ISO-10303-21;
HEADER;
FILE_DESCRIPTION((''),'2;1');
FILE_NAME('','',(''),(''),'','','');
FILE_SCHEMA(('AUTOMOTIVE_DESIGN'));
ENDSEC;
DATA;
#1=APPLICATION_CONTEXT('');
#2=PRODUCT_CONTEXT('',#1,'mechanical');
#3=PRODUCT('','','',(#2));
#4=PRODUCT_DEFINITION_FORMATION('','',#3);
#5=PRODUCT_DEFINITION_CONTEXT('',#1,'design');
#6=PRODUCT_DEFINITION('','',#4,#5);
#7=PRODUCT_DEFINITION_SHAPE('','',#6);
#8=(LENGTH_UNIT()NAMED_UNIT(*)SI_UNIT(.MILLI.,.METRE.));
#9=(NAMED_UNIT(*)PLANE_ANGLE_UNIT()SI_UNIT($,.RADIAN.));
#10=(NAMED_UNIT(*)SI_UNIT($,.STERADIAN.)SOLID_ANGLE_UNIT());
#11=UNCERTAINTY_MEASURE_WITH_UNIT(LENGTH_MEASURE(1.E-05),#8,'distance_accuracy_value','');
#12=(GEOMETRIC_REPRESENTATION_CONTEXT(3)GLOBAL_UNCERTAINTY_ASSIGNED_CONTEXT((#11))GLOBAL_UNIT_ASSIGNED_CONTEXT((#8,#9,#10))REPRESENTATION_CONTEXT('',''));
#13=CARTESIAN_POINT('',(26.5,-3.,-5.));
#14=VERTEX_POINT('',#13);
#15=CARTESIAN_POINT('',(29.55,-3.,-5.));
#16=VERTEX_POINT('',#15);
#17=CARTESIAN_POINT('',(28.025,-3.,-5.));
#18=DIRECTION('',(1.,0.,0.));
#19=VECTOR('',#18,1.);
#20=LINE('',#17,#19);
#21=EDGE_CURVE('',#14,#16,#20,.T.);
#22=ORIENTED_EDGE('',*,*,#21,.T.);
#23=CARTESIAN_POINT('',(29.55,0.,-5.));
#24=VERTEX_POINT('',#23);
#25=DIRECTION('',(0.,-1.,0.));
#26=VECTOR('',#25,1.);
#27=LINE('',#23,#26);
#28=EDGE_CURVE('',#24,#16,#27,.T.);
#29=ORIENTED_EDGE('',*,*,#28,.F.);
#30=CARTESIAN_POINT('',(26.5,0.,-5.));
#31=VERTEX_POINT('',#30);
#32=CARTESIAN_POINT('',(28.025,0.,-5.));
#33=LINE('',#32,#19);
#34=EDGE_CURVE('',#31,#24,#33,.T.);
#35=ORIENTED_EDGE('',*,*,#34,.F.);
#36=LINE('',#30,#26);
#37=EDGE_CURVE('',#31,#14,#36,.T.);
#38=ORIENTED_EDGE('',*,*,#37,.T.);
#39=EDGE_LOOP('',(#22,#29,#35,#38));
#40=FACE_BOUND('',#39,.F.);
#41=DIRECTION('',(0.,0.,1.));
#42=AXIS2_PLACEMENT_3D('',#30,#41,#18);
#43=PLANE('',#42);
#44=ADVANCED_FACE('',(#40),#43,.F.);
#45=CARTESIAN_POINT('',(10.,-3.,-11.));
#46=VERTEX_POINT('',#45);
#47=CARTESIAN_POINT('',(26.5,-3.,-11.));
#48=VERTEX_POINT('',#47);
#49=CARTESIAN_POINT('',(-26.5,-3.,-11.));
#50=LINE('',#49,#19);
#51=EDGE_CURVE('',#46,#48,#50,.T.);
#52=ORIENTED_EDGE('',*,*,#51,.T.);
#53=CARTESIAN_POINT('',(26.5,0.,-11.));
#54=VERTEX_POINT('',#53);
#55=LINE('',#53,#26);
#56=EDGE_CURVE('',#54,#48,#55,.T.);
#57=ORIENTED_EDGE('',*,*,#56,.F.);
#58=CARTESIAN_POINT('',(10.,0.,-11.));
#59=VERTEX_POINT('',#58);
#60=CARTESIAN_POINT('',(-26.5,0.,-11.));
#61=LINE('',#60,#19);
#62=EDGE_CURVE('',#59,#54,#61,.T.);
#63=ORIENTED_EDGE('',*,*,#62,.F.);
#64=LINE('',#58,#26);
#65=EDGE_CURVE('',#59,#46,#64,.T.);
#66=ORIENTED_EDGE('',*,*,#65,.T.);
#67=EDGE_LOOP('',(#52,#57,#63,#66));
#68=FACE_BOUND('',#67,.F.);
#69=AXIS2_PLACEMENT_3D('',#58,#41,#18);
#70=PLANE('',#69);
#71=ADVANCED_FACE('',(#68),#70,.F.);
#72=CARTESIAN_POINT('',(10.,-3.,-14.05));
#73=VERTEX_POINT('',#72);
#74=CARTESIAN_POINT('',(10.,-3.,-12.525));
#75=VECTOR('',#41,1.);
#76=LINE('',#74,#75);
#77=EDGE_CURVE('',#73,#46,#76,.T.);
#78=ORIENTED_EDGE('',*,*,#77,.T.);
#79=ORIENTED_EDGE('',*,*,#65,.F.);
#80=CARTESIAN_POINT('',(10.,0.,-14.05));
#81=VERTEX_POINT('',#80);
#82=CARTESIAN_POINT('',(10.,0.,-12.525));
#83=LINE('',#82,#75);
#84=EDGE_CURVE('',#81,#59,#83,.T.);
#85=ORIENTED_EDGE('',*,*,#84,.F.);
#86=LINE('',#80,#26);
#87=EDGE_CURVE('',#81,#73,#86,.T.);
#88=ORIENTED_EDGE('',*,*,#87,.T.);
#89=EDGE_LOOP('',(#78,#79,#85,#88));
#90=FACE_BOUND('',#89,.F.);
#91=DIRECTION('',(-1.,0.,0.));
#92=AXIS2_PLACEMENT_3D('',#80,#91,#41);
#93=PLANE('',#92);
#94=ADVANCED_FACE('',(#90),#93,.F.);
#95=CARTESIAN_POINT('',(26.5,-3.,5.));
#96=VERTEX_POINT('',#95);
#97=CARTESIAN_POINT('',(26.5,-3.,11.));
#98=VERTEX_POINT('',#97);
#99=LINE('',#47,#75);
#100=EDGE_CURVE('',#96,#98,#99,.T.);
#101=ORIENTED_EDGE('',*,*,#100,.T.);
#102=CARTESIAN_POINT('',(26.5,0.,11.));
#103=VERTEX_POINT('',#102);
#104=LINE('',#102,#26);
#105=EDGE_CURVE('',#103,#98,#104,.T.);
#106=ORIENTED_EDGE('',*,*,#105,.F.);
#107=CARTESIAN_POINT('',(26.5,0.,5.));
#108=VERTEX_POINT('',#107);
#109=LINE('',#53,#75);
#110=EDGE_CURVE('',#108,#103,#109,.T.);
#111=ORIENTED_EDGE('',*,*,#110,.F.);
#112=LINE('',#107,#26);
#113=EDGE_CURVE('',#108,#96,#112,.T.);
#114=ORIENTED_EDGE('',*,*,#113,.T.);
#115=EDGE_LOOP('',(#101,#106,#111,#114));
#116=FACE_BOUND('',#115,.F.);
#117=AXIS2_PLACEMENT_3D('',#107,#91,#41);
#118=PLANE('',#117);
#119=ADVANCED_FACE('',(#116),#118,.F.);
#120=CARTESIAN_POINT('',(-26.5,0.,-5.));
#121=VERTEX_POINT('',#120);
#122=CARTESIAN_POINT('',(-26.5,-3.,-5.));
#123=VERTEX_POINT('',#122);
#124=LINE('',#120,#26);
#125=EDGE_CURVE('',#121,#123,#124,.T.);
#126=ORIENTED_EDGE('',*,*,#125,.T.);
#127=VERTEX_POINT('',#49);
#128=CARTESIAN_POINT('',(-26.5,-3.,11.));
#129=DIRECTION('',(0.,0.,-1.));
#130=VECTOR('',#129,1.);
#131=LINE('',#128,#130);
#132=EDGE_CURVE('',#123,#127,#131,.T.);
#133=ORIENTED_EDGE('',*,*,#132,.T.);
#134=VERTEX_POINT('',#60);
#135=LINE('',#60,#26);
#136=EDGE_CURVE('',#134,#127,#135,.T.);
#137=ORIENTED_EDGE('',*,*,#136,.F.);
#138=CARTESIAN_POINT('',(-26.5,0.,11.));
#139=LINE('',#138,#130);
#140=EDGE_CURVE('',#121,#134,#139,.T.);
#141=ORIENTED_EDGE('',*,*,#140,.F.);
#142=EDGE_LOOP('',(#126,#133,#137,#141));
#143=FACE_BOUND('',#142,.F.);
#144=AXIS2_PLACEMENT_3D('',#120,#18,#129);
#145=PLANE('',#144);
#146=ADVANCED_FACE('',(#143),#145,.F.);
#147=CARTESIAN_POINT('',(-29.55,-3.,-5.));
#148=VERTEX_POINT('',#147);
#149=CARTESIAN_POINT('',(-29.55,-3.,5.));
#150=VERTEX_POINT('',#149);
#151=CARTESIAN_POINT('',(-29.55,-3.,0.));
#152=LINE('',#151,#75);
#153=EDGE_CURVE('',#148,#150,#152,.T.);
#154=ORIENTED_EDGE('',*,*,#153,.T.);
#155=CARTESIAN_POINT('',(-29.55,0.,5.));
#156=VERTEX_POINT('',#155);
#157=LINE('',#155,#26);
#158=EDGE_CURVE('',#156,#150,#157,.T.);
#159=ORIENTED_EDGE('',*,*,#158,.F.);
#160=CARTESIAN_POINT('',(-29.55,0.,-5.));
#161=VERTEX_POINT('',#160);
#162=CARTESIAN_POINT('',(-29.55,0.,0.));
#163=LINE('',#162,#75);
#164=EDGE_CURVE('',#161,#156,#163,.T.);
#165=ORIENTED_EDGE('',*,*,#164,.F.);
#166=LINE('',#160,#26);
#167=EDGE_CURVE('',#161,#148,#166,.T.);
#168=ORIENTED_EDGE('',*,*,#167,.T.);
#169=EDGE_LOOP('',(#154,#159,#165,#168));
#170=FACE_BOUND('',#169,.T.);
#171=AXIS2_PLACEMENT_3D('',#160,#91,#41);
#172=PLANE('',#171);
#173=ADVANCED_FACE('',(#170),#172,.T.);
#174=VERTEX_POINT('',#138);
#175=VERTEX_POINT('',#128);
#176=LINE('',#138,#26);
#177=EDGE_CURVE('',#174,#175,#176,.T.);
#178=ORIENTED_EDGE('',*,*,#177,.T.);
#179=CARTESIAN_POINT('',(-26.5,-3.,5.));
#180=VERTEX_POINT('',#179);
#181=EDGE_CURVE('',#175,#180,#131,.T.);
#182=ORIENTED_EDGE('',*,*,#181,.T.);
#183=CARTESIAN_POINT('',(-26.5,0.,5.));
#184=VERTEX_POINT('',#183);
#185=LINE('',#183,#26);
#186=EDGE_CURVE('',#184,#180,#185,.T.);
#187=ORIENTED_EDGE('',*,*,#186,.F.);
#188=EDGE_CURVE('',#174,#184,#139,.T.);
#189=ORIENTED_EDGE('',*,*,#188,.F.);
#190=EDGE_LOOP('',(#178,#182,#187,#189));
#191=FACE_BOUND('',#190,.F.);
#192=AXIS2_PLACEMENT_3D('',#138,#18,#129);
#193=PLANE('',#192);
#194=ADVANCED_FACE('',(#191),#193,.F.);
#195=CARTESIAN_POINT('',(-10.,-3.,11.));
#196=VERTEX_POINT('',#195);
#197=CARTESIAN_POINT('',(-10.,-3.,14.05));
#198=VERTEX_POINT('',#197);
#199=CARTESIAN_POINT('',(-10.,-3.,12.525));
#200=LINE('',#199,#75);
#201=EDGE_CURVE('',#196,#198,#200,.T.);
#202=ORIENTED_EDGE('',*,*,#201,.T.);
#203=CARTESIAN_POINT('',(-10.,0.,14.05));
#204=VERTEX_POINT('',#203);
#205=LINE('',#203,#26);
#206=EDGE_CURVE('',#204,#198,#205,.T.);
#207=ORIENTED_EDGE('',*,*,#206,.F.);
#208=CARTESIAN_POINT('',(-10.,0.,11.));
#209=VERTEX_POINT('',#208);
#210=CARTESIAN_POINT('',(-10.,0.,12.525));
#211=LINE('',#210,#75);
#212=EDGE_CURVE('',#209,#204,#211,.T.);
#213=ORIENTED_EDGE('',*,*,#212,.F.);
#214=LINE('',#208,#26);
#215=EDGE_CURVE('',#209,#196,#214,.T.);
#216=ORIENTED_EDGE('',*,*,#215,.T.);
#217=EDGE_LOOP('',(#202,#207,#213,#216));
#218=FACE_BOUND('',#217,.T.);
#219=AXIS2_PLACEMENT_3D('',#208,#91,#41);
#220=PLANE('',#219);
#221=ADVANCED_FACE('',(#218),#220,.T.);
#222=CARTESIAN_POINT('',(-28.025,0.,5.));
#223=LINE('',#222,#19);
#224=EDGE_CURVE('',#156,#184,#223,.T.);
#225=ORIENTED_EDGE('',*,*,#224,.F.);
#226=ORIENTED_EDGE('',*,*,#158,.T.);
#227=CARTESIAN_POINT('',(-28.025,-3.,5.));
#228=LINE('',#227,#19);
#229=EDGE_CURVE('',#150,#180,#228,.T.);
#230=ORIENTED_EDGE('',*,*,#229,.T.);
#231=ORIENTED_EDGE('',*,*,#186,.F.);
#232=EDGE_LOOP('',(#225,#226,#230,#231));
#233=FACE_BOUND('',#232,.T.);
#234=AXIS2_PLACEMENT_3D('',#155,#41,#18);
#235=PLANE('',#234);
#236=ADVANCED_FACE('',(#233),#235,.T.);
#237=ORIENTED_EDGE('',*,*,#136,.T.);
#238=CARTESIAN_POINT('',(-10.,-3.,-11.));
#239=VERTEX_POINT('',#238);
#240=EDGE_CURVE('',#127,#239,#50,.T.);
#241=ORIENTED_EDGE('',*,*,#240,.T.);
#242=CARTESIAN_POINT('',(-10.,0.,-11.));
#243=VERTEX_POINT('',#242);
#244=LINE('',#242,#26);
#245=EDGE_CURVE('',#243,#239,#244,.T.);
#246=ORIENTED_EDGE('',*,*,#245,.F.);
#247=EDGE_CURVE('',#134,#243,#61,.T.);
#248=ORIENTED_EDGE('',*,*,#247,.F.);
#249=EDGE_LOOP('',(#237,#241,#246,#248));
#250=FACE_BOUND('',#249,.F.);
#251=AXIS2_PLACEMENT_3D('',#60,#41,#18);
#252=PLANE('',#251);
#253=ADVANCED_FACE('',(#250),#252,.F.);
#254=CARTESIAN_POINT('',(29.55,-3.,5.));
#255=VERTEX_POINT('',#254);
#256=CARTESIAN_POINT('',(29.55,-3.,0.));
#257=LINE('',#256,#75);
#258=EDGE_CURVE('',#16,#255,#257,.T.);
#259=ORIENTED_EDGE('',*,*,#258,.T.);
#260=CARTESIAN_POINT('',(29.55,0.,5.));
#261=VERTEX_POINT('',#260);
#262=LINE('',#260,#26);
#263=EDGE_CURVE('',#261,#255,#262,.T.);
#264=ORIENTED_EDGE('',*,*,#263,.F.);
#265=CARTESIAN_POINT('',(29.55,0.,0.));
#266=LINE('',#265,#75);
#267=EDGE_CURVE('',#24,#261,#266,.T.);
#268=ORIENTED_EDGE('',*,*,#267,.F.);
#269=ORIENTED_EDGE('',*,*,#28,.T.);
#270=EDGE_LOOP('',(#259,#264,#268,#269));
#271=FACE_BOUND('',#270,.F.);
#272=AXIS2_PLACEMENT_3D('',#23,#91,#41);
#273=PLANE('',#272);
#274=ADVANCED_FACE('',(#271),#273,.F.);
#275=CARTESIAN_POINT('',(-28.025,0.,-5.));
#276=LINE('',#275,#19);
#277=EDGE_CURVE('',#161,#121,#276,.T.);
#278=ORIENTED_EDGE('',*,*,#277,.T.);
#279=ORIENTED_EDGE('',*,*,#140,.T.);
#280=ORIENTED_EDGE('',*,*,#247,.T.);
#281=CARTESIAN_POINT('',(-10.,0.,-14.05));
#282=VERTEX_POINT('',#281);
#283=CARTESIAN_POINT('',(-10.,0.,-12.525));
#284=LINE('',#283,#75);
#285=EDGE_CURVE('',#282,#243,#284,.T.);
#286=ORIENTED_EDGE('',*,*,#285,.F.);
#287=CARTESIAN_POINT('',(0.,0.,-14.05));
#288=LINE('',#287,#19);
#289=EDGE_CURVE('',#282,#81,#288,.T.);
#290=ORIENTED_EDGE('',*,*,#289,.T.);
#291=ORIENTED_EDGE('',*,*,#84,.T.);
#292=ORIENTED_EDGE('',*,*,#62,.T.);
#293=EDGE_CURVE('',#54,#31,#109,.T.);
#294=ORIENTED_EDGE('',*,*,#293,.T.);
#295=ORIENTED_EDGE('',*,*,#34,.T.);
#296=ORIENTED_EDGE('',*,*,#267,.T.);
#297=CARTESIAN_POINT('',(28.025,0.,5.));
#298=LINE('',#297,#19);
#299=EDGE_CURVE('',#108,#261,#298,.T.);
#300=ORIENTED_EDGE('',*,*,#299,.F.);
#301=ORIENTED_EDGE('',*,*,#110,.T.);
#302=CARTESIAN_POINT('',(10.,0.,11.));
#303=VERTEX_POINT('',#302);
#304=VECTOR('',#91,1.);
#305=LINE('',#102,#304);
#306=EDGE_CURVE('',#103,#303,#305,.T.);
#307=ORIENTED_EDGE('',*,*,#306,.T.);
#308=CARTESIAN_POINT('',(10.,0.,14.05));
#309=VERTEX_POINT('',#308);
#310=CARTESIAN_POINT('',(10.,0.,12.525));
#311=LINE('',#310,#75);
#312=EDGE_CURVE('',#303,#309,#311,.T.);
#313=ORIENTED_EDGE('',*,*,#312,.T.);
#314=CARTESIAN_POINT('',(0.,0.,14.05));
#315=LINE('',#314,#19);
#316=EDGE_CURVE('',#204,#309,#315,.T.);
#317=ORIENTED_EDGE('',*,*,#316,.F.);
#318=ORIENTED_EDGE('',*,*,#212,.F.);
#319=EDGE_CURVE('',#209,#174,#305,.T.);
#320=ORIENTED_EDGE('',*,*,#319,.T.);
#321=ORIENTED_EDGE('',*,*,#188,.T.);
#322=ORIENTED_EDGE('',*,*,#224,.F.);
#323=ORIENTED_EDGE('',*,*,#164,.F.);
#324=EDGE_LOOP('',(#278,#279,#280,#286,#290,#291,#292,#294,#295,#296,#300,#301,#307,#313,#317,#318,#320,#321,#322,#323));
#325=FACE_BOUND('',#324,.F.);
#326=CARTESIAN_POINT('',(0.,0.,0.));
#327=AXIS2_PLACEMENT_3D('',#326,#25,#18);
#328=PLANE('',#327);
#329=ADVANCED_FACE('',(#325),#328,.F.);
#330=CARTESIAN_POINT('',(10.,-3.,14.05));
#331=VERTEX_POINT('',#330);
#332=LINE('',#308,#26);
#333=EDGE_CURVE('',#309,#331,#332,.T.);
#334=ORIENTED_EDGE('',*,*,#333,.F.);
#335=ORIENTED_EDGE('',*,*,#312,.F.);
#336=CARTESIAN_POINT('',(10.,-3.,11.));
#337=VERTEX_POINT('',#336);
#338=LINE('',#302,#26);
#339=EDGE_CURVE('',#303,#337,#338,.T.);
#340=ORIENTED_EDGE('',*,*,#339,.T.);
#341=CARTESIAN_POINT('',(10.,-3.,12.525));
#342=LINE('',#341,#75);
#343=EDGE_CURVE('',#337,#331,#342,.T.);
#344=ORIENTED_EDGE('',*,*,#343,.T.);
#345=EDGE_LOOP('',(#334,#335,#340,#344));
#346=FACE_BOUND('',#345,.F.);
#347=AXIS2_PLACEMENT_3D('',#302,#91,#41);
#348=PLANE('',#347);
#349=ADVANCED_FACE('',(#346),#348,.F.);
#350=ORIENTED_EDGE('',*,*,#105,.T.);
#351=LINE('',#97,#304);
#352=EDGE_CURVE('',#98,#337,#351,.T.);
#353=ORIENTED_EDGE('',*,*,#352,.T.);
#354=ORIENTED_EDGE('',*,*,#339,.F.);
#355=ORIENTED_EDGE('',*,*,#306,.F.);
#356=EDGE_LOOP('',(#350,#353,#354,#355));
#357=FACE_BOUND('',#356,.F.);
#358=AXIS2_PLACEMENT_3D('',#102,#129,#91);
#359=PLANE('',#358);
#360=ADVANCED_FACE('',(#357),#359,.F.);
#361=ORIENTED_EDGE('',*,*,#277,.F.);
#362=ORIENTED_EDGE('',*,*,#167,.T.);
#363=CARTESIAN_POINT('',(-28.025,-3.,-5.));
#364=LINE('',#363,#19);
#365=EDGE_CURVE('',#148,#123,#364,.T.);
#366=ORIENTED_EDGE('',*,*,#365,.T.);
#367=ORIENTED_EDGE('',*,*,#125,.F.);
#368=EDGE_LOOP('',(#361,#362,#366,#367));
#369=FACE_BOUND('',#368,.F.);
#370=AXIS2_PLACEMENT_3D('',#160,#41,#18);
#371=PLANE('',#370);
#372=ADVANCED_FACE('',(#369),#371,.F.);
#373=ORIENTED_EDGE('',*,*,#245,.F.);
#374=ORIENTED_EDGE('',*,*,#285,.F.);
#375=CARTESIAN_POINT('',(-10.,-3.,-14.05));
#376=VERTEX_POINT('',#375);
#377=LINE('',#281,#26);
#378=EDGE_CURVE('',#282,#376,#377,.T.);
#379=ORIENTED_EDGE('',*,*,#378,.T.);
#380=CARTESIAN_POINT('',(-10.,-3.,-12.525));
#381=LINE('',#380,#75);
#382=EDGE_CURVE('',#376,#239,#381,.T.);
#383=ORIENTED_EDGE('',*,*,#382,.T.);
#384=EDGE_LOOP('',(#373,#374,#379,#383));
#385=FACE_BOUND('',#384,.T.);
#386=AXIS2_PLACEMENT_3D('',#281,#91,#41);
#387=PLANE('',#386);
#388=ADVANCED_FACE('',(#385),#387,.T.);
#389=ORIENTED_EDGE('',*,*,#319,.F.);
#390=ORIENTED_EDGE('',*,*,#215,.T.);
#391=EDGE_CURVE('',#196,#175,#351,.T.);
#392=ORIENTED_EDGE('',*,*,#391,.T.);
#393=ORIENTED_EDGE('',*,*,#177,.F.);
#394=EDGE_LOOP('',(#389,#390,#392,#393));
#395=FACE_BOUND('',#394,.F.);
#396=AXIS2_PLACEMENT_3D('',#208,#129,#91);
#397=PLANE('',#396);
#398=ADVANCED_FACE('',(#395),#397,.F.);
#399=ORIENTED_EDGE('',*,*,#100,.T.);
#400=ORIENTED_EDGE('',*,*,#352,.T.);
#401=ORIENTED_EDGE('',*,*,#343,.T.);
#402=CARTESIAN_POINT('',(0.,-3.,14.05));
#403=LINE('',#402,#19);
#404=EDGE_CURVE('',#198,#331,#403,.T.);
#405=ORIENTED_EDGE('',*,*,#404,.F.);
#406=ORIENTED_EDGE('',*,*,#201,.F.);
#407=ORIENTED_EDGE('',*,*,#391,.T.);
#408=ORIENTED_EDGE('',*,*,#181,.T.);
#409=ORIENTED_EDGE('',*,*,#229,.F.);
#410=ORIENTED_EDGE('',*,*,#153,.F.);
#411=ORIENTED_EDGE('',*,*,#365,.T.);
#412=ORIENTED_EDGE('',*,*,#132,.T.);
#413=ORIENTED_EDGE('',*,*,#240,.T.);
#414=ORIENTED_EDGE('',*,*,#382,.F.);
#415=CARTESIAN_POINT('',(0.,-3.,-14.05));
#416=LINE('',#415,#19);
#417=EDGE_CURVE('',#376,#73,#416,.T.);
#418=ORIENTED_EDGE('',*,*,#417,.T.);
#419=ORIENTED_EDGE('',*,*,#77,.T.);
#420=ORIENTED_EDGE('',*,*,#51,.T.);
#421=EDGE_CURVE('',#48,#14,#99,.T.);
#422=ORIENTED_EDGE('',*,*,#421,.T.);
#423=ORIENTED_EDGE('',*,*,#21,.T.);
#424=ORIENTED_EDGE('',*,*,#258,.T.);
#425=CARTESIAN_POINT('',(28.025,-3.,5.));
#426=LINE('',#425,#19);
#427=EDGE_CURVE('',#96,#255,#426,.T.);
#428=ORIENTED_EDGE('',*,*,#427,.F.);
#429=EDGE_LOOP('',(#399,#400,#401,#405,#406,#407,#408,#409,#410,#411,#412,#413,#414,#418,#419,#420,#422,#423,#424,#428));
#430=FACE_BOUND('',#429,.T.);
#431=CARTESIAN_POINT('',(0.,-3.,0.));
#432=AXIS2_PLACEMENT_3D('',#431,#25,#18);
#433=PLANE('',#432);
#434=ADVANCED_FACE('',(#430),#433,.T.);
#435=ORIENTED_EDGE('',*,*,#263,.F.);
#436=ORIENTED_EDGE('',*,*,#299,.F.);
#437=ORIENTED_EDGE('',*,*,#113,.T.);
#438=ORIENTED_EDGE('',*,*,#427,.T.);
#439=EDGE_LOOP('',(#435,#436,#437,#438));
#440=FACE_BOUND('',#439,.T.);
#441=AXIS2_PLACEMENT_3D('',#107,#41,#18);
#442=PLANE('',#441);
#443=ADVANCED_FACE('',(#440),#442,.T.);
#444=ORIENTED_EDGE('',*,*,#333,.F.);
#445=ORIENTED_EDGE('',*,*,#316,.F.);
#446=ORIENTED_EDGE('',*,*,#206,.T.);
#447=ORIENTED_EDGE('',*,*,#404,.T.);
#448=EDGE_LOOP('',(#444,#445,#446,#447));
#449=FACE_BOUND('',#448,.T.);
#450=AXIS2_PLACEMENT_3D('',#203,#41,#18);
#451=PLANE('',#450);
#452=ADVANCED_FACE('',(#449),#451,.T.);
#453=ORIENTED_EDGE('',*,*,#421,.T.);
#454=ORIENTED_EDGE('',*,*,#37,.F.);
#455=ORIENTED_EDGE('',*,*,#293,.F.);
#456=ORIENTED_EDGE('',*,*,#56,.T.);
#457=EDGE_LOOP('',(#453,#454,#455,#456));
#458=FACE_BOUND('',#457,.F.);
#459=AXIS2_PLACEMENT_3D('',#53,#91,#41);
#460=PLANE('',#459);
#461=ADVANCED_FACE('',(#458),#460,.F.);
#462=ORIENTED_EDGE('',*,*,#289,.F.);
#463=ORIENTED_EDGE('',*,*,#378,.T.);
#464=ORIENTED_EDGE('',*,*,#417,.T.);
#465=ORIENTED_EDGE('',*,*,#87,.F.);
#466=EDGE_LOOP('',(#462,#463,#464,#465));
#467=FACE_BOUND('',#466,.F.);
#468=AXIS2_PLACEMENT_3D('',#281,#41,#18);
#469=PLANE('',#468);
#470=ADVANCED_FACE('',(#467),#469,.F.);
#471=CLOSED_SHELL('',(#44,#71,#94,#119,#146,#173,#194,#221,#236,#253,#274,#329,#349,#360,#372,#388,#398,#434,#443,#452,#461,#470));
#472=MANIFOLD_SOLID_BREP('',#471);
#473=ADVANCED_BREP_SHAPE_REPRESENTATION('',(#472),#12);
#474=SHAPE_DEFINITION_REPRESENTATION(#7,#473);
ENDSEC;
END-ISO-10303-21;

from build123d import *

# Parameters (mm, degrees)
F0_W     = 20
F0_H     = 3.05
F0_W_2   = 3.05
F0_H_2   = 10
F1_DEPTH = 3


with BuildPart() as f1:
    # F0 (on Front) → F1 (new body)
    with BuildSketch(Plane.XZ):
        Polygon((10, -11), (26.5, -11), (26.5, -5), (26.5, 5), (26.5, 11), (10, 11), (-10, 11), (-26.5, 11), (-26.5, 5), (-26.5, -5), (-26.5, -11), (-10, -11), align=None)
        with Locations((0, -12.525)):
            Rectangle(F0_W, F0_H)
        with Locations((28.025, 0)):
            Rectangle(F0_W_2, F0_H_2)
        with Locations((-28.025, 0)):
            Rectangle(F0_W_2, F0_H_2)
        with Locations((0, 12.525)):
            Rectangle(F0_W, F0_H)
    extrude(amount=F1_DEPTH)


solid = f1.part
